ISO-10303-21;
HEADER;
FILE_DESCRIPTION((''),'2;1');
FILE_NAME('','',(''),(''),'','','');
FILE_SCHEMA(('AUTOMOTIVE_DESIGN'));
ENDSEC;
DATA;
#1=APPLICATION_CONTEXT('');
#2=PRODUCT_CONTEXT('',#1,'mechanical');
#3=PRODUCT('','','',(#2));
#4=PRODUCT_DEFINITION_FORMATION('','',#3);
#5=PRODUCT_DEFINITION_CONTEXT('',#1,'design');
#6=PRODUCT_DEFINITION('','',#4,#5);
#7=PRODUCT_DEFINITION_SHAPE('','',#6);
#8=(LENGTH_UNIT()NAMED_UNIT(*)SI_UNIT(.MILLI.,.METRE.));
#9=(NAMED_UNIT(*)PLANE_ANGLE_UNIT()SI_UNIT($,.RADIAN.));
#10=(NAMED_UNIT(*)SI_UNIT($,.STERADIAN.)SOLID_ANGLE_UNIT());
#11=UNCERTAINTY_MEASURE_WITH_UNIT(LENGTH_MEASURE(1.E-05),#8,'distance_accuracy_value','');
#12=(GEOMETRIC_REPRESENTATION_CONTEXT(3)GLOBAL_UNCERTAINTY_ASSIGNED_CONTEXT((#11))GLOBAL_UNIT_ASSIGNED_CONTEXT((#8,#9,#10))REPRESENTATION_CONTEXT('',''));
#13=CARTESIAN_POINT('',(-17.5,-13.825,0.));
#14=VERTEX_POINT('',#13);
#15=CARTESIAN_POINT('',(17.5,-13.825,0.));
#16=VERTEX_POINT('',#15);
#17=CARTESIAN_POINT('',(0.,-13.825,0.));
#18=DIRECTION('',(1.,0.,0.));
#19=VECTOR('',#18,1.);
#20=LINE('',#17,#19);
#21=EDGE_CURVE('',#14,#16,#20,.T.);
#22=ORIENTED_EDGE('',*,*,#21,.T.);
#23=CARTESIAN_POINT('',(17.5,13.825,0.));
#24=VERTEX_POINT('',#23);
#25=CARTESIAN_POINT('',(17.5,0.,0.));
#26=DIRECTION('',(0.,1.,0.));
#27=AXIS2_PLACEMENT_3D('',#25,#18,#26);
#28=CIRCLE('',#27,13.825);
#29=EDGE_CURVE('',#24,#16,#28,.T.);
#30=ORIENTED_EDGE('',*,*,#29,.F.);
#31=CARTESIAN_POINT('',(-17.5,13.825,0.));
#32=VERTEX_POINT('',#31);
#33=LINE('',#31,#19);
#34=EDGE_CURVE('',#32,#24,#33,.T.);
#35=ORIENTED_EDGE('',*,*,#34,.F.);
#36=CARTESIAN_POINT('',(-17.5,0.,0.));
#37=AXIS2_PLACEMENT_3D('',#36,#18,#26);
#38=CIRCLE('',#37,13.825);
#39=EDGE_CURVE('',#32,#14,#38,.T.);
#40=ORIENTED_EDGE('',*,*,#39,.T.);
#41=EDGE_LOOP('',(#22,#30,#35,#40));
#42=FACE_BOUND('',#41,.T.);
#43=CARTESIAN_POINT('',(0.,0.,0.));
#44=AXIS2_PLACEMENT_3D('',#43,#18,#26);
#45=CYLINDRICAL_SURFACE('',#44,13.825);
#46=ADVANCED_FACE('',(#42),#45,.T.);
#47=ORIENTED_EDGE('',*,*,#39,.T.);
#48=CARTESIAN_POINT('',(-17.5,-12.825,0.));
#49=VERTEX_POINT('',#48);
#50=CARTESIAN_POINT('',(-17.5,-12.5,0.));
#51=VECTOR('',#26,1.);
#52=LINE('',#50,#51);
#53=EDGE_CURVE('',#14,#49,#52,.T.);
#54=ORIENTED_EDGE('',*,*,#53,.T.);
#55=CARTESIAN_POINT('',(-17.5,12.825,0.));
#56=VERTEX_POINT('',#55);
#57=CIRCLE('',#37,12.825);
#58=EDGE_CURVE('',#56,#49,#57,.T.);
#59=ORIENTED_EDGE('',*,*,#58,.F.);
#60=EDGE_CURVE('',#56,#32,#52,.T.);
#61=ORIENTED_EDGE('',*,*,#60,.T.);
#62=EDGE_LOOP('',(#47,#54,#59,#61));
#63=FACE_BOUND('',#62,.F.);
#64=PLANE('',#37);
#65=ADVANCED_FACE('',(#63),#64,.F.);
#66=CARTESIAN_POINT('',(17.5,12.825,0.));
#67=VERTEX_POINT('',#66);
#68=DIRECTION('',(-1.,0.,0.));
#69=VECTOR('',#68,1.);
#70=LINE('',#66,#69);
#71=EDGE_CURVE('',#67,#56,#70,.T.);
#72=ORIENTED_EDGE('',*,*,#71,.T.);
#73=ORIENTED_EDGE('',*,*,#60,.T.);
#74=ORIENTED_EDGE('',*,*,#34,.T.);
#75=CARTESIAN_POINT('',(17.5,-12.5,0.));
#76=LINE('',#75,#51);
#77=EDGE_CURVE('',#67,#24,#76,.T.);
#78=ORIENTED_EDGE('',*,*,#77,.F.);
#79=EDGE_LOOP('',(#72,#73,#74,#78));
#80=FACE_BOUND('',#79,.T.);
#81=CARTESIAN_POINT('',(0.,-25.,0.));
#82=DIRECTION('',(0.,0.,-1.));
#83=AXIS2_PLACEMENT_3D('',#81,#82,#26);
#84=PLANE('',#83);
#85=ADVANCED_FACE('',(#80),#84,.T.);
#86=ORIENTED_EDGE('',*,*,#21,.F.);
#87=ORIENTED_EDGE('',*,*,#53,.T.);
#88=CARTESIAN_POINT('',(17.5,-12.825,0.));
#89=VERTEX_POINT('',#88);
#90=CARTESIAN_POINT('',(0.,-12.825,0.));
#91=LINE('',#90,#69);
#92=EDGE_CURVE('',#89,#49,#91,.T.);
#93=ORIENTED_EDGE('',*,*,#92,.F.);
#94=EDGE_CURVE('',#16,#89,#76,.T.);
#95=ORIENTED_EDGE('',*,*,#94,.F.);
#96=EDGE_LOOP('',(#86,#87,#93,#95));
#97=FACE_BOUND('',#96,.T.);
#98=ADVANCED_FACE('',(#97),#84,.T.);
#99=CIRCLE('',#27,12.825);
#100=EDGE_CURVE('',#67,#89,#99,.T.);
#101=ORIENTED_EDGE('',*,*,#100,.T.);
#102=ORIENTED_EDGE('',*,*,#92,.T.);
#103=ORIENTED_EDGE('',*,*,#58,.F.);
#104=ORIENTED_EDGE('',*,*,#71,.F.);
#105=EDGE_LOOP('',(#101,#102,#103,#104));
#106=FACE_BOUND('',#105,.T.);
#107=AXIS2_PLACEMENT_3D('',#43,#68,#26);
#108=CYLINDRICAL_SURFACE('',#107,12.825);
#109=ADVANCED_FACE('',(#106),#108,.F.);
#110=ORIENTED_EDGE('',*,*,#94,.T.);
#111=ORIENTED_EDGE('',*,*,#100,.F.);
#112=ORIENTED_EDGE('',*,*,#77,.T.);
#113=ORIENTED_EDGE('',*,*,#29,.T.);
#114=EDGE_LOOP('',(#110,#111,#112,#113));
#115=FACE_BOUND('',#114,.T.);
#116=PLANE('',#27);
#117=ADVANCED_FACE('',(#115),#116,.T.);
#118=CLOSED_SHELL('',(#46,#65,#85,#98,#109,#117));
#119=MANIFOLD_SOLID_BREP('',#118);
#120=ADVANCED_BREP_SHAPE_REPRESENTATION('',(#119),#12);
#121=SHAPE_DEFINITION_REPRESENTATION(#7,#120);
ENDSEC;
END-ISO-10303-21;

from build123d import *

# Parameters (mm, degrees)
F0_R     = 13.825
F0_R_2   = 12.825
F1_DEPTH = 17.5
F2_W     = 50
F2_H     = 20
F3_DEPTH = 25


with BuildPart() as f1:
    # F0 (on Right) → F1 (new body, symmetric)
    with BuildSketch(Plane.YZ):
        Circle(F0_R)
        Circle(F0_R_2, mode=Mode.SUBTRACT)
    extrude(amount=F1_DEPTH, both=True)

    # F2 (on Right) → F3 (cut, symmetric)
    with BuildSketch(Plane.YZ):
        with Locations((0, -10)):
            Rectangle(F2_W, F2_H)
    extrude(amount=F3_DEPTH, both=True, mode=Mode.SUBTRACT)


solid = f1.part
